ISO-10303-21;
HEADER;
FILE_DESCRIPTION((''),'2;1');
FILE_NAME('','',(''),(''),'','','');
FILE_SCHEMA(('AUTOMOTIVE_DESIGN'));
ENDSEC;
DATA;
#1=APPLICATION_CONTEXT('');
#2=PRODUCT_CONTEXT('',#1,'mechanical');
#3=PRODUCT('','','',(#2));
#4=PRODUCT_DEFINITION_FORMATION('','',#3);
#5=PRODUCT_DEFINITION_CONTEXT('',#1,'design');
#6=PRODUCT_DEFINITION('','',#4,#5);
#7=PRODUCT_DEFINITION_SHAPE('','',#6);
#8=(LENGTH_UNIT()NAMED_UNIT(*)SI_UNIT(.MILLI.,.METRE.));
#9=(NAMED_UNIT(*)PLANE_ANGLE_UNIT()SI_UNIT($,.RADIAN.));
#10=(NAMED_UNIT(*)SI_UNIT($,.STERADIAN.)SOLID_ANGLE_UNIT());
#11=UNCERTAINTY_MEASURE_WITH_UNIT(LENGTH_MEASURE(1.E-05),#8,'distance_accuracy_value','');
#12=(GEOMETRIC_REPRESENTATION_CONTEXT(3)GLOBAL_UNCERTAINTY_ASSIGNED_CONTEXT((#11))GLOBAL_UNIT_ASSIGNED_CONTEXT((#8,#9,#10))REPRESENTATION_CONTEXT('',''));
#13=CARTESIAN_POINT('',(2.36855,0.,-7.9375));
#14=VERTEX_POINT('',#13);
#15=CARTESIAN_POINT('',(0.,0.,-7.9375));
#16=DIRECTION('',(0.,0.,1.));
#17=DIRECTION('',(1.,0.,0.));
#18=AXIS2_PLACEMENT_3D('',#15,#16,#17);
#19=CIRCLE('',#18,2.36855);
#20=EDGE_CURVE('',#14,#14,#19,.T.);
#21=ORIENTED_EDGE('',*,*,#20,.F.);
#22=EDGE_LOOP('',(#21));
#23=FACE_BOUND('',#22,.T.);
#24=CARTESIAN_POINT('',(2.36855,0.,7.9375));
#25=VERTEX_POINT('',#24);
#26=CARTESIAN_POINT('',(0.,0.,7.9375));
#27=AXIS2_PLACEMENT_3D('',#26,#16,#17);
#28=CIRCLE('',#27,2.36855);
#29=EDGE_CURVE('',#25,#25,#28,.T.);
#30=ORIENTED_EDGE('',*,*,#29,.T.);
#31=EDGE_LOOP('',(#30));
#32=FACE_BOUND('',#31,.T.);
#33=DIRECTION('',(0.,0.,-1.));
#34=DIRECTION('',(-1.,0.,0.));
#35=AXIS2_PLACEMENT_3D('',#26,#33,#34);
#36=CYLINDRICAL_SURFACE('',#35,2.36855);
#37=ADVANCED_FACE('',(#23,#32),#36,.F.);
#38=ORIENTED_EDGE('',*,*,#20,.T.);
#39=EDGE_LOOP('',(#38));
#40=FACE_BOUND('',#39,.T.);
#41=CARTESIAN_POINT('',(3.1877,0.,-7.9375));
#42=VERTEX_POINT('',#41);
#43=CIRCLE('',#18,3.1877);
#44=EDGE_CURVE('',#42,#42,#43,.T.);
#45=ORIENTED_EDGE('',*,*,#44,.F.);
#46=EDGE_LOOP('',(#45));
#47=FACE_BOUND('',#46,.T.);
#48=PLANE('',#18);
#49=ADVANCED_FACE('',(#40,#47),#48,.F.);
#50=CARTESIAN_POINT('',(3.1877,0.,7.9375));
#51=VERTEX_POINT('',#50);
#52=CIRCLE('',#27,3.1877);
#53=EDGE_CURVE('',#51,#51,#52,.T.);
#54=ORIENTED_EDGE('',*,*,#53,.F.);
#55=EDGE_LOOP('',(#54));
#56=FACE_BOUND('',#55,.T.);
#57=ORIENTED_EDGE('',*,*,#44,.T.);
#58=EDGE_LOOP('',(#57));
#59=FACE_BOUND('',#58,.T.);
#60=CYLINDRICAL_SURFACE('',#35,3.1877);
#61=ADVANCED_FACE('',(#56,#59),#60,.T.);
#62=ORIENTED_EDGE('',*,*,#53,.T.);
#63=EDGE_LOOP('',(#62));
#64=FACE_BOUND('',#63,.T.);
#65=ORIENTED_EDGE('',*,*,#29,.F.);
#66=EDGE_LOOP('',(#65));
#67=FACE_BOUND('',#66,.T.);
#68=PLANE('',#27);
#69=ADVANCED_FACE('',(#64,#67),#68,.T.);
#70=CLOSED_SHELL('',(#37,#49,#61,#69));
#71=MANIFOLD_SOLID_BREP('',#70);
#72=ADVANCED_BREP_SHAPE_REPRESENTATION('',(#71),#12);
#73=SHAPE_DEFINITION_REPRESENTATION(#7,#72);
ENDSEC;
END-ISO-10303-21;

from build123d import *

# Parameters (mm, degrees)
SKETCH1_R      = 3.1877
SKETCH1_R_2    = 2.36855
EXTRUDE1_DEPTH = 7.9375


with BuildPart() as part:
    # Sketch1 → Extrude1 (new body, symmetric)
    with BuildSketch(Plane.XY):
        Circle(SKETCH1_R)
        Circle(SKETCH1_R_2, mode=Mode.SUBTRACT)
    extrude(amount=EXTRUDE1_DEPTH, both=True)


solid = part.part
